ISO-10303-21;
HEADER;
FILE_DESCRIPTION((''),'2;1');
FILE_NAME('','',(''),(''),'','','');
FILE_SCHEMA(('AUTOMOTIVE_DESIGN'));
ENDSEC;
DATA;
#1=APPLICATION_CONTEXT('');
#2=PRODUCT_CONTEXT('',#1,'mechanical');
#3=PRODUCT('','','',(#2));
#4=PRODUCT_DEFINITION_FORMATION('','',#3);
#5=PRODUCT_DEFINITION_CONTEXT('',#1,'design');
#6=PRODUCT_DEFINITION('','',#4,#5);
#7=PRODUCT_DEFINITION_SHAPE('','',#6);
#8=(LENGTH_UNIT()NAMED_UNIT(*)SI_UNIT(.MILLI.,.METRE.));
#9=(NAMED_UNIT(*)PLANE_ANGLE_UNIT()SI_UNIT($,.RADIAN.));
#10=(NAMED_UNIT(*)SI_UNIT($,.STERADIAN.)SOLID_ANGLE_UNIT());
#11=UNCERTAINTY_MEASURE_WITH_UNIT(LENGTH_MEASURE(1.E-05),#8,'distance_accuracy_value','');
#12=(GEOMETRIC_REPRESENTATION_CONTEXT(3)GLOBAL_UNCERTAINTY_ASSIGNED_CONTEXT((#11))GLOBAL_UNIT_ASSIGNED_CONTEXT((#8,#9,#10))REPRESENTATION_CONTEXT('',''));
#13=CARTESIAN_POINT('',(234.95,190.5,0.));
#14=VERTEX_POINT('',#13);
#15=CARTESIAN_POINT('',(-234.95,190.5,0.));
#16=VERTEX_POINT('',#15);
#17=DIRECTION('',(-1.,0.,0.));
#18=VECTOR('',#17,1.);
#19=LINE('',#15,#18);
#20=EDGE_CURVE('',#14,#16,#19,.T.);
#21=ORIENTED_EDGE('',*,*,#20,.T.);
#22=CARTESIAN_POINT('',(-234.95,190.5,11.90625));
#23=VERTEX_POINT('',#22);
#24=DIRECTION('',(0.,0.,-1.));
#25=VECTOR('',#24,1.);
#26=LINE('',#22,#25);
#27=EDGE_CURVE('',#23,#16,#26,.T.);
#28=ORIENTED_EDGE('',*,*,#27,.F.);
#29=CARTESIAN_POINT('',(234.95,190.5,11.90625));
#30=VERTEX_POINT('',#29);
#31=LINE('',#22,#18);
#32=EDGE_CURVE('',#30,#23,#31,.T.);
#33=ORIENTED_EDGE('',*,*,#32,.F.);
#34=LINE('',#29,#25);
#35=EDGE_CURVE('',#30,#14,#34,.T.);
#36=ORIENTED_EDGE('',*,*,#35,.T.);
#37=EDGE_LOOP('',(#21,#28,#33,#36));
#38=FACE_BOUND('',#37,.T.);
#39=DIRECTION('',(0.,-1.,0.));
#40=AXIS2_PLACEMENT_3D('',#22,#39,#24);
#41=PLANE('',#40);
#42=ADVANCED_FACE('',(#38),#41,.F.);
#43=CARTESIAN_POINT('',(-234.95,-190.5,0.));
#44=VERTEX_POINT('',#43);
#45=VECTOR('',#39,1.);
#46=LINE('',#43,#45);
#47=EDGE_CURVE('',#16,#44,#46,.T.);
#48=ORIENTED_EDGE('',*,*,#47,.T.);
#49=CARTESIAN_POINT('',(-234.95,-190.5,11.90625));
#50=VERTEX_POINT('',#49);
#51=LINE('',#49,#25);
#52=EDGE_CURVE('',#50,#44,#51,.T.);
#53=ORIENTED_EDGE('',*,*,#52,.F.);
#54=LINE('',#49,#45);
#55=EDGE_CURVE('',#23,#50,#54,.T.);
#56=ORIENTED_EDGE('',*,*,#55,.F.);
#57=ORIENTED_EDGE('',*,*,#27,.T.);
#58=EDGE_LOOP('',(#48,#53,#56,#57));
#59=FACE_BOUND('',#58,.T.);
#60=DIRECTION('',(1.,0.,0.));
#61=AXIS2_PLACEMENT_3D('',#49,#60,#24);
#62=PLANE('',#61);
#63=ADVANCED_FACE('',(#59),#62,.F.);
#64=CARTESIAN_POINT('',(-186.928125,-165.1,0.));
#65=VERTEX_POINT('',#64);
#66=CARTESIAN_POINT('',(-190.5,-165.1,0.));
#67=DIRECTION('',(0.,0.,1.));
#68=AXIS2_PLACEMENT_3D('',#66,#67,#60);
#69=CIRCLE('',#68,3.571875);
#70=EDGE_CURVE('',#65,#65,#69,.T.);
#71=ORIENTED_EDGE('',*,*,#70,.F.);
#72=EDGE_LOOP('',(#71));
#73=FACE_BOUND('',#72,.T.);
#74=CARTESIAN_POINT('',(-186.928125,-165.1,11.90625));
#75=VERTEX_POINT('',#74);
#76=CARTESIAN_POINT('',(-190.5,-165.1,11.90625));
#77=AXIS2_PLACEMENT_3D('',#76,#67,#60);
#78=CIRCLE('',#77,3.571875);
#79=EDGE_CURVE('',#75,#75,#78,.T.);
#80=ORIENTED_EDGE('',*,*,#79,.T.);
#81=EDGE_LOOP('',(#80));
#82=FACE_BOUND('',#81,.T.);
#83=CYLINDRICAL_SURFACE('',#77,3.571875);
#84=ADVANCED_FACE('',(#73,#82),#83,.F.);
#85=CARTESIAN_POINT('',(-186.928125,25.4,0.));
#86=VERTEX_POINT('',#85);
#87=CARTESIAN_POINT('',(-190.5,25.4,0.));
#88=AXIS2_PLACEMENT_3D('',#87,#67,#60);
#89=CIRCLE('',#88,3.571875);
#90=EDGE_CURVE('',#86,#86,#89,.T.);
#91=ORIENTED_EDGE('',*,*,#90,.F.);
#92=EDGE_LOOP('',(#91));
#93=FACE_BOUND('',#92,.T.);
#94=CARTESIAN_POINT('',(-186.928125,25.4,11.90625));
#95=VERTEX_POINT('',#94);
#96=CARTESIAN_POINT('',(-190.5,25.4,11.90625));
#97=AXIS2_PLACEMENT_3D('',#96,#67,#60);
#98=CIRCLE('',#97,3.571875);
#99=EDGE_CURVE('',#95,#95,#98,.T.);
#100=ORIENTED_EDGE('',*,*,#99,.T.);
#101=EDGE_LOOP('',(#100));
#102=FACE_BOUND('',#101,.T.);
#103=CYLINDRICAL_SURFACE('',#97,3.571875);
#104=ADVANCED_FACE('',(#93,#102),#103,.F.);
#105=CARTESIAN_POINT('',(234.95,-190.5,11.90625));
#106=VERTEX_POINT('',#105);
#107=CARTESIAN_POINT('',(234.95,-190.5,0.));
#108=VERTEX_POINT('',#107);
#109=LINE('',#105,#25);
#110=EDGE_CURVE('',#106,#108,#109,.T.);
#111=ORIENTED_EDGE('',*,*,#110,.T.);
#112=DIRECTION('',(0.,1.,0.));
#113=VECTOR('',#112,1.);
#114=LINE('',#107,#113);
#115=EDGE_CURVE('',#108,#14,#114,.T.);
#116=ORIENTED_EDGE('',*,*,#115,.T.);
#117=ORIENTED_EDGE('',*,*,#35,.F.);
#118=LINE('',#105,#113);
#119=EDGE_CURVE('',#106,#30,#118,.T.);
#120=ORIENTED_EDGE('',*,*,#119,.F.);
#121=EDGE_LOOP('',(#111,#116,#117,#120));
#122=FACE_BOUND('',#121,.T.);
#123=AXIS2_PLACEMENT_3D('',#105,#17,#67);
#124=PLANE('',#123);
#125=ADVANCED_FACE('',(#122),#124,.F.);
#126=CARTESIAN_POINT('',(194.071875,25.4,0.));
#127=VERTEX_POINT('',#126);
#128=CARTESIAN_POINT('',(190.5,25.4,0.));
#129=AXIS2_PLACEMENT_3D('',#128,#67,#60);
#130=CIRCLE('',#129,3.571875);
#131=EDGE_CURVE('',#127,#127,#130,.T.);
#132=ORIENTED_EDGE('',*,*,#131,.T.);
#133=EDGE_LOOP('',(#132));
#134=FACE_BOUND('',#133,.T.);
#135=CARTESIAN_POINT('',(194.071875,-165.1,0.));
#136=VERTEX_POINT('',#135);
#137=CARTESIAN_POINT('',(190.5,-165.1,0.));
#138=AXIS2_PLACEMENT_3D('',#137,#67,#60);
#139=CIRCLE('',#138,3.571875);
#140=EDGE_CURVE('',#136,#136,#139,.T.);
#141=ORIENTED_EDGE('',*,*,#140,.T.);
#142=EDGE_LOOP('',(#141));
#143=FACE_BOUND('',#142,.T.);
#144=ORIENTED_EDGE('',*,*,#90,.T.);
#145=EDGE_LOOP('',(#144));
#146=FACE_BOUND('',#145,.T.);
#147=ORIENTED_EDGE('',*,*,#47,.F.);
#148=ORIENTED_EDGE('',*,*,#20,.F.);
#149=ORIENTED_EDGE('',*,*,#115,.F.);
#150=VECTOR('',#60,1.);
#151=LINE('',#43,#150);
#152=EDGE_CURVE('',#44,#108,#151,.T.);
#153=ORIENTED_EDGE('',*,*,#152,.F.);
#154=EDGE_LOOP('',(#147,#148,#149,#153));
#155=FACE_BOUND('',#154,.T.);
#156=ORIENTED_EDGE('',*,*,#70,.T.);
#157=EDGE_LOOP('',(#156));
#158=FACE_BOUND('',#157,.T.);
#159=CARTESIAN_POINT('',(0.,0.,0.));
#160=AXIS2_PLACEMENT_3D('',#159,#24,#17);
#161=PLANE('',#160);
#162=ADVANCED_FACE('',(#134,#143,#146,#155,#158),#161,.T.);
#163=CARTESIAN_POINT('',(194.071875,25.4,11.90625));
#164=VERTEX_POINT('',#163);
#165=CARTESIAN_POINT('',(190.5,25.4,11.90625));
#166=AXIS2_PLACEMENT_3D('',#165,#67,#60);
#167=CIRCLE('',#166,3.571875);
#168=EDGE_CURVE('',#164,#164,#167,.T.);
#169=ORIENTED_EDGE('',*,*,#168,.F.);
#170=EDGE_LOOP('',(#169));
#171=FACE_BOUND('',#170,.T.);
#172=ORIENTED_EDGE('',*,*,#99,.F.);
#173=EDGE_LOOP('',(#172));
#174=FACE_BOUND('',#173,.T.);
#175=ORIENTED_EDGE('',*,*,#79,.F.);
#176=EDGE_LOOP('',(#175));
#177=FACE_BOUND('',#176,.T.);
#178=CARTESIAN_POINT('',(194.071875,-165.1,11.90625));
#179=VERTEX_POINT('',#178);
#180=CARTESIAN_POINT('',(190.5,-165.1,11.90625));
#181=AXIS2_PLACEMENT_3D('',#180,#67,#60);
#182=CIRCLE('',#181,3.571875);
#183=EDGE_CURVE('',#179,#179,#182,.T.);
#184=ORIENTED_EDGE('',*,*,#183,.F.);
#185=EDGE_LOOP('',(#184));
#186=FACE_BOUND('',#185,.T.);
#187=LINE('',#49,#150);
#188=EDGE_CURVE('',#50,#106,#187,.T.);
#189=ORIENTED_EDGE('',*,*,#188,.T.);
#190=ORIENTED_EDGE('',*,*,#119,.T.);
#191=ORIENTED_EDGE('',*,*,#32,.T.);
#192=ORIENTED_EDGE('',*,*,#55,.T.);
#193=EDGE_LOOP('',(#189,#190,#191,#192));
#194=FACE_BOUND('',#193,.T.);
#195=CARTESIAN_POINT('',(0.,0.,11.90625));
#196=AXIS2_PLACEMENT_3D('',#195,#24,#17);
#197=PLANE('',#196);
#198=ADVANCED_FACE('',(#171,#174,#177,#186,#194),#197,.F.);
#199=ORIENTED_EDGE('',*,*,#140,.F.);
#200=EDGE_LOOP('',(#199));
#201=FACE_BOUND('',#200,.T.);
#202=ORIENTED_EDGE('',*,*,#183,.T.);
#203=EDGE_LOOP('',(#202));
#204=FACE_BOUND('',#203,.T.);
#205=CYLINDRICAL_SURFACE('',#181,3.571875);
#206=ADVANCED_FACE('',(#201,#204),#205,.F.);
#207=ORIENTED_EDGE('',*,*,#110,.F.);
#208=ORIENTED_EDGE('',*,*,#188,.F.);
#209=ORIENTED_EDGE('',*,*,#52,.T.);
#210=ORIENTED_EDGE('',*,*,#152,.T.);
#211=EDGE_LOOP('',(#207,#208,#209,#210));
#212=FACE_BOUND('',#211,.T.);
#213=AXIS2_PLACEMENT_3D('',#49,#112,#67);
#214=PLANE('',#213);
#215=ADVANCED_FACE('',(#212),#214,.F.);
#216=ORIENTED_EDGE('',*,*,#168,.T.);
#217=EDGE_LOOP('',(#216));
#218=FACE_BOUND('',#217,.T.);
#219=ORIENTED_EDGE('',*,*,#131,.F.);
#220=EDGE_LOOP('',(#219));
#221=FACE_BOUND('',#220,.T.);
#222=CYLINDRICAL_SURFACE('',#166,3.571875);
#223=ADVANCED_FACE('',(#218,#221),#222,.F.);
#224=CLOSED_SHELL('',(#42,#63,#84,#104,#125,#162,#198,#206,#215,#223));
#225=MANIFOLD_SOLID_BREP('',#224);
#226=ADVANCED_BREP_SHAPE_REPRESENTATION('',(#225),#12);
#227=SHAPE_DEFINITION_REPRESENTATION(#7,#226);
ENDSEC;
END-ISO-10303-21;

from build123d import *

# Parameters (mm, degrees)
SKETCH1_W                       = 469.9
SKETCH1_H                       = 381
BOSS_EXTRUDE1_DEPTH             = 11.90625
F_9_32_0_28125_DIAMETER_HOLE1_D = 7.14375


with BuildPart() as part:
    # Sketch1 → Boss-Extrude1 (new body)
    with BuildSketch(Plane.XY):
        Rectangle(SKETCH1_W, SKETCH1_H)
    extrude(amount=BOSS_EXTRUDE1_DEPTH)

    # 9/32 (0.28125) Diameter Hole1 (through all)
    with Locations(Plane(origin=(-190.5, 25.4, 11.90625), x_dir=(1, 0, 0), z_dir=(0, 0, 1))):
        with Locations((0, 0), (381, 0), (381, -190.5), (0, -190.5)):
            Hole(F_9_32_0_28125_DIAMETER_HOLE1_D / 2)


solid = part.part
